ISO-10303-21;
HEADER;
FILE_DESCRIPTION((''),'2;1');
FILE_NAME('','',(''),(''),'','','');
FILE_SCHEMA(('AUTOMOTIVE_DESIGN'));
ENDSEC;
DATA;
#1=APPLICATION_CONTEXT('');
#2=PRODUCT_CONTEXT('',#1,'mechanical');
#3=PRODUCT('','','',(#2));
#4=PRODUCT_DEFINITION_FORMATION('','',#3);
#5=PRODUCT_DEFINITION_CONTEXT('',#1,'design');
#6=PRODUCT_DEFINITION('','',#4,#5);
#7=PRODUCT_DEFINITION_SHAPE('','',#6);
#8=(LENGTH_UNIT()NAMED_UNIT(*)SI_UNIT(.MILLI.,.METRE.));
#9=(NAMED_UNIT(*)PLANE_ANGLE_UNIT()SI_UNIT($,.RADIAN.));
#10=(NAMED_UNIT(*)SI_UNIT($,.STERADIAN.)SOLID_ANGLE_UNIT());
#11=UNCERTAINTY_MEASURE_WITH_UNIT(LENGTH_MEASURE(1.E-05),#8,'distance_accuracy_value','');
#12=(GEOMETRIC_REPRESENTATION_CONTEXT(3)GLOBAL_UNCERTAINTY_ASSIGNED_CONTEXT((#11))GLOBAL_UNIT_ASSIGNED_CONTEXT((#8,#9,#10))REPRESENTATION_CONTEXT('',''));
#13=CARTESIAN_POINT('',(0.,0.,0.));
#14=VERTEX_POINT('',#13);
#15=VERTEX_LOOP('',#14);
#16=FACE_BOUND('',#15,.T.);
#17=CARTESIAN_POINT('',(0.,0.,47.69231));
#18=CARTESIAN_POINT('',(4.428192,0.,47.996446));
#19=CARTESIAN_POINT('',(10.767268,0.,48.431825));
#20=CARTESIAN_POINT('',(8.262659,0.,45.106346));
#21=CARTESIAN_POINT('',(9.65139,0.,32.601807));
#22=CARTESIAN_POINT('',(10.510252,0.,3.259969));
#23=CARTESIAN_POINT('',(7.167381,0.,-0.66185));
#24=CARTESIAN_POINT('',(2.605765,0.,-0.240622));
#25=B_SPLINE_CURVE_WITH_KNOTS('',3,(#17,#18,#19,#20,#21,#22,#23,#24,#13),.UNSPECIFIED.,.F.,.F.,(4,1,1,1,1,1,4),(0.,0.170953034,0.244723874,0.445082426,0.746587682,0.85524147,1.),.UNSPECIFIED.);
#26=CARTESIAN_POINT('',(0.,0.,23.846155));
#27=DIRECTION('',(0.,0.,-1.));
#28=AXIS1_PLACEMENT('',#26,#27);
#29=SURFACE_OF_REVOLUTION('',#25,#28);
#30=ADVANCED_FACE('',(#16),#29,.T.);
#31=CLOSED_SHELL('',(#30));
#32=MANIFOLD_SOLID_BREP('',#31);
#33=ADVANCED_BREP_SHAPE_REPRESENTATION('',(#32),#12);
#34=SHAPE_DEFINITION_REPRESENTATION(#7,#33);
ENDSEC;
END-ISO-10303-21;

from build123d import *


with BuildPart() as f1:
    # F0 (on Front) → F1 (revolve)
    with BuildSketch(Plane.XZ):
        with BuildLine():
            add(Edge.make_bspline(
                [(0, 47.692310065), (4.4281920786, 47.9964459676), (10.7672683496, 48.4318247066), (8.2626585878, 45.1063463713), (9.6513898343, 32.6018066079), (10.5102518505, 3.259968839), (7.1673807264, -0.6618504861), (2.6057645865, -0.2406215916), (0, 0)],
                knots=[0, 0, 0, 0, 0.170953034, 0.2447238743, 0.4450824258, 0.7465876816, 0.8552414704, 1, 1, 1, 1], degree=3))
            Line((0, 47.692310065), (0, 0))
        make_face()
    revolve(axis=Axis((0, 0, 23.8461550325), (0, 0, -1)))


solid = f1.part
